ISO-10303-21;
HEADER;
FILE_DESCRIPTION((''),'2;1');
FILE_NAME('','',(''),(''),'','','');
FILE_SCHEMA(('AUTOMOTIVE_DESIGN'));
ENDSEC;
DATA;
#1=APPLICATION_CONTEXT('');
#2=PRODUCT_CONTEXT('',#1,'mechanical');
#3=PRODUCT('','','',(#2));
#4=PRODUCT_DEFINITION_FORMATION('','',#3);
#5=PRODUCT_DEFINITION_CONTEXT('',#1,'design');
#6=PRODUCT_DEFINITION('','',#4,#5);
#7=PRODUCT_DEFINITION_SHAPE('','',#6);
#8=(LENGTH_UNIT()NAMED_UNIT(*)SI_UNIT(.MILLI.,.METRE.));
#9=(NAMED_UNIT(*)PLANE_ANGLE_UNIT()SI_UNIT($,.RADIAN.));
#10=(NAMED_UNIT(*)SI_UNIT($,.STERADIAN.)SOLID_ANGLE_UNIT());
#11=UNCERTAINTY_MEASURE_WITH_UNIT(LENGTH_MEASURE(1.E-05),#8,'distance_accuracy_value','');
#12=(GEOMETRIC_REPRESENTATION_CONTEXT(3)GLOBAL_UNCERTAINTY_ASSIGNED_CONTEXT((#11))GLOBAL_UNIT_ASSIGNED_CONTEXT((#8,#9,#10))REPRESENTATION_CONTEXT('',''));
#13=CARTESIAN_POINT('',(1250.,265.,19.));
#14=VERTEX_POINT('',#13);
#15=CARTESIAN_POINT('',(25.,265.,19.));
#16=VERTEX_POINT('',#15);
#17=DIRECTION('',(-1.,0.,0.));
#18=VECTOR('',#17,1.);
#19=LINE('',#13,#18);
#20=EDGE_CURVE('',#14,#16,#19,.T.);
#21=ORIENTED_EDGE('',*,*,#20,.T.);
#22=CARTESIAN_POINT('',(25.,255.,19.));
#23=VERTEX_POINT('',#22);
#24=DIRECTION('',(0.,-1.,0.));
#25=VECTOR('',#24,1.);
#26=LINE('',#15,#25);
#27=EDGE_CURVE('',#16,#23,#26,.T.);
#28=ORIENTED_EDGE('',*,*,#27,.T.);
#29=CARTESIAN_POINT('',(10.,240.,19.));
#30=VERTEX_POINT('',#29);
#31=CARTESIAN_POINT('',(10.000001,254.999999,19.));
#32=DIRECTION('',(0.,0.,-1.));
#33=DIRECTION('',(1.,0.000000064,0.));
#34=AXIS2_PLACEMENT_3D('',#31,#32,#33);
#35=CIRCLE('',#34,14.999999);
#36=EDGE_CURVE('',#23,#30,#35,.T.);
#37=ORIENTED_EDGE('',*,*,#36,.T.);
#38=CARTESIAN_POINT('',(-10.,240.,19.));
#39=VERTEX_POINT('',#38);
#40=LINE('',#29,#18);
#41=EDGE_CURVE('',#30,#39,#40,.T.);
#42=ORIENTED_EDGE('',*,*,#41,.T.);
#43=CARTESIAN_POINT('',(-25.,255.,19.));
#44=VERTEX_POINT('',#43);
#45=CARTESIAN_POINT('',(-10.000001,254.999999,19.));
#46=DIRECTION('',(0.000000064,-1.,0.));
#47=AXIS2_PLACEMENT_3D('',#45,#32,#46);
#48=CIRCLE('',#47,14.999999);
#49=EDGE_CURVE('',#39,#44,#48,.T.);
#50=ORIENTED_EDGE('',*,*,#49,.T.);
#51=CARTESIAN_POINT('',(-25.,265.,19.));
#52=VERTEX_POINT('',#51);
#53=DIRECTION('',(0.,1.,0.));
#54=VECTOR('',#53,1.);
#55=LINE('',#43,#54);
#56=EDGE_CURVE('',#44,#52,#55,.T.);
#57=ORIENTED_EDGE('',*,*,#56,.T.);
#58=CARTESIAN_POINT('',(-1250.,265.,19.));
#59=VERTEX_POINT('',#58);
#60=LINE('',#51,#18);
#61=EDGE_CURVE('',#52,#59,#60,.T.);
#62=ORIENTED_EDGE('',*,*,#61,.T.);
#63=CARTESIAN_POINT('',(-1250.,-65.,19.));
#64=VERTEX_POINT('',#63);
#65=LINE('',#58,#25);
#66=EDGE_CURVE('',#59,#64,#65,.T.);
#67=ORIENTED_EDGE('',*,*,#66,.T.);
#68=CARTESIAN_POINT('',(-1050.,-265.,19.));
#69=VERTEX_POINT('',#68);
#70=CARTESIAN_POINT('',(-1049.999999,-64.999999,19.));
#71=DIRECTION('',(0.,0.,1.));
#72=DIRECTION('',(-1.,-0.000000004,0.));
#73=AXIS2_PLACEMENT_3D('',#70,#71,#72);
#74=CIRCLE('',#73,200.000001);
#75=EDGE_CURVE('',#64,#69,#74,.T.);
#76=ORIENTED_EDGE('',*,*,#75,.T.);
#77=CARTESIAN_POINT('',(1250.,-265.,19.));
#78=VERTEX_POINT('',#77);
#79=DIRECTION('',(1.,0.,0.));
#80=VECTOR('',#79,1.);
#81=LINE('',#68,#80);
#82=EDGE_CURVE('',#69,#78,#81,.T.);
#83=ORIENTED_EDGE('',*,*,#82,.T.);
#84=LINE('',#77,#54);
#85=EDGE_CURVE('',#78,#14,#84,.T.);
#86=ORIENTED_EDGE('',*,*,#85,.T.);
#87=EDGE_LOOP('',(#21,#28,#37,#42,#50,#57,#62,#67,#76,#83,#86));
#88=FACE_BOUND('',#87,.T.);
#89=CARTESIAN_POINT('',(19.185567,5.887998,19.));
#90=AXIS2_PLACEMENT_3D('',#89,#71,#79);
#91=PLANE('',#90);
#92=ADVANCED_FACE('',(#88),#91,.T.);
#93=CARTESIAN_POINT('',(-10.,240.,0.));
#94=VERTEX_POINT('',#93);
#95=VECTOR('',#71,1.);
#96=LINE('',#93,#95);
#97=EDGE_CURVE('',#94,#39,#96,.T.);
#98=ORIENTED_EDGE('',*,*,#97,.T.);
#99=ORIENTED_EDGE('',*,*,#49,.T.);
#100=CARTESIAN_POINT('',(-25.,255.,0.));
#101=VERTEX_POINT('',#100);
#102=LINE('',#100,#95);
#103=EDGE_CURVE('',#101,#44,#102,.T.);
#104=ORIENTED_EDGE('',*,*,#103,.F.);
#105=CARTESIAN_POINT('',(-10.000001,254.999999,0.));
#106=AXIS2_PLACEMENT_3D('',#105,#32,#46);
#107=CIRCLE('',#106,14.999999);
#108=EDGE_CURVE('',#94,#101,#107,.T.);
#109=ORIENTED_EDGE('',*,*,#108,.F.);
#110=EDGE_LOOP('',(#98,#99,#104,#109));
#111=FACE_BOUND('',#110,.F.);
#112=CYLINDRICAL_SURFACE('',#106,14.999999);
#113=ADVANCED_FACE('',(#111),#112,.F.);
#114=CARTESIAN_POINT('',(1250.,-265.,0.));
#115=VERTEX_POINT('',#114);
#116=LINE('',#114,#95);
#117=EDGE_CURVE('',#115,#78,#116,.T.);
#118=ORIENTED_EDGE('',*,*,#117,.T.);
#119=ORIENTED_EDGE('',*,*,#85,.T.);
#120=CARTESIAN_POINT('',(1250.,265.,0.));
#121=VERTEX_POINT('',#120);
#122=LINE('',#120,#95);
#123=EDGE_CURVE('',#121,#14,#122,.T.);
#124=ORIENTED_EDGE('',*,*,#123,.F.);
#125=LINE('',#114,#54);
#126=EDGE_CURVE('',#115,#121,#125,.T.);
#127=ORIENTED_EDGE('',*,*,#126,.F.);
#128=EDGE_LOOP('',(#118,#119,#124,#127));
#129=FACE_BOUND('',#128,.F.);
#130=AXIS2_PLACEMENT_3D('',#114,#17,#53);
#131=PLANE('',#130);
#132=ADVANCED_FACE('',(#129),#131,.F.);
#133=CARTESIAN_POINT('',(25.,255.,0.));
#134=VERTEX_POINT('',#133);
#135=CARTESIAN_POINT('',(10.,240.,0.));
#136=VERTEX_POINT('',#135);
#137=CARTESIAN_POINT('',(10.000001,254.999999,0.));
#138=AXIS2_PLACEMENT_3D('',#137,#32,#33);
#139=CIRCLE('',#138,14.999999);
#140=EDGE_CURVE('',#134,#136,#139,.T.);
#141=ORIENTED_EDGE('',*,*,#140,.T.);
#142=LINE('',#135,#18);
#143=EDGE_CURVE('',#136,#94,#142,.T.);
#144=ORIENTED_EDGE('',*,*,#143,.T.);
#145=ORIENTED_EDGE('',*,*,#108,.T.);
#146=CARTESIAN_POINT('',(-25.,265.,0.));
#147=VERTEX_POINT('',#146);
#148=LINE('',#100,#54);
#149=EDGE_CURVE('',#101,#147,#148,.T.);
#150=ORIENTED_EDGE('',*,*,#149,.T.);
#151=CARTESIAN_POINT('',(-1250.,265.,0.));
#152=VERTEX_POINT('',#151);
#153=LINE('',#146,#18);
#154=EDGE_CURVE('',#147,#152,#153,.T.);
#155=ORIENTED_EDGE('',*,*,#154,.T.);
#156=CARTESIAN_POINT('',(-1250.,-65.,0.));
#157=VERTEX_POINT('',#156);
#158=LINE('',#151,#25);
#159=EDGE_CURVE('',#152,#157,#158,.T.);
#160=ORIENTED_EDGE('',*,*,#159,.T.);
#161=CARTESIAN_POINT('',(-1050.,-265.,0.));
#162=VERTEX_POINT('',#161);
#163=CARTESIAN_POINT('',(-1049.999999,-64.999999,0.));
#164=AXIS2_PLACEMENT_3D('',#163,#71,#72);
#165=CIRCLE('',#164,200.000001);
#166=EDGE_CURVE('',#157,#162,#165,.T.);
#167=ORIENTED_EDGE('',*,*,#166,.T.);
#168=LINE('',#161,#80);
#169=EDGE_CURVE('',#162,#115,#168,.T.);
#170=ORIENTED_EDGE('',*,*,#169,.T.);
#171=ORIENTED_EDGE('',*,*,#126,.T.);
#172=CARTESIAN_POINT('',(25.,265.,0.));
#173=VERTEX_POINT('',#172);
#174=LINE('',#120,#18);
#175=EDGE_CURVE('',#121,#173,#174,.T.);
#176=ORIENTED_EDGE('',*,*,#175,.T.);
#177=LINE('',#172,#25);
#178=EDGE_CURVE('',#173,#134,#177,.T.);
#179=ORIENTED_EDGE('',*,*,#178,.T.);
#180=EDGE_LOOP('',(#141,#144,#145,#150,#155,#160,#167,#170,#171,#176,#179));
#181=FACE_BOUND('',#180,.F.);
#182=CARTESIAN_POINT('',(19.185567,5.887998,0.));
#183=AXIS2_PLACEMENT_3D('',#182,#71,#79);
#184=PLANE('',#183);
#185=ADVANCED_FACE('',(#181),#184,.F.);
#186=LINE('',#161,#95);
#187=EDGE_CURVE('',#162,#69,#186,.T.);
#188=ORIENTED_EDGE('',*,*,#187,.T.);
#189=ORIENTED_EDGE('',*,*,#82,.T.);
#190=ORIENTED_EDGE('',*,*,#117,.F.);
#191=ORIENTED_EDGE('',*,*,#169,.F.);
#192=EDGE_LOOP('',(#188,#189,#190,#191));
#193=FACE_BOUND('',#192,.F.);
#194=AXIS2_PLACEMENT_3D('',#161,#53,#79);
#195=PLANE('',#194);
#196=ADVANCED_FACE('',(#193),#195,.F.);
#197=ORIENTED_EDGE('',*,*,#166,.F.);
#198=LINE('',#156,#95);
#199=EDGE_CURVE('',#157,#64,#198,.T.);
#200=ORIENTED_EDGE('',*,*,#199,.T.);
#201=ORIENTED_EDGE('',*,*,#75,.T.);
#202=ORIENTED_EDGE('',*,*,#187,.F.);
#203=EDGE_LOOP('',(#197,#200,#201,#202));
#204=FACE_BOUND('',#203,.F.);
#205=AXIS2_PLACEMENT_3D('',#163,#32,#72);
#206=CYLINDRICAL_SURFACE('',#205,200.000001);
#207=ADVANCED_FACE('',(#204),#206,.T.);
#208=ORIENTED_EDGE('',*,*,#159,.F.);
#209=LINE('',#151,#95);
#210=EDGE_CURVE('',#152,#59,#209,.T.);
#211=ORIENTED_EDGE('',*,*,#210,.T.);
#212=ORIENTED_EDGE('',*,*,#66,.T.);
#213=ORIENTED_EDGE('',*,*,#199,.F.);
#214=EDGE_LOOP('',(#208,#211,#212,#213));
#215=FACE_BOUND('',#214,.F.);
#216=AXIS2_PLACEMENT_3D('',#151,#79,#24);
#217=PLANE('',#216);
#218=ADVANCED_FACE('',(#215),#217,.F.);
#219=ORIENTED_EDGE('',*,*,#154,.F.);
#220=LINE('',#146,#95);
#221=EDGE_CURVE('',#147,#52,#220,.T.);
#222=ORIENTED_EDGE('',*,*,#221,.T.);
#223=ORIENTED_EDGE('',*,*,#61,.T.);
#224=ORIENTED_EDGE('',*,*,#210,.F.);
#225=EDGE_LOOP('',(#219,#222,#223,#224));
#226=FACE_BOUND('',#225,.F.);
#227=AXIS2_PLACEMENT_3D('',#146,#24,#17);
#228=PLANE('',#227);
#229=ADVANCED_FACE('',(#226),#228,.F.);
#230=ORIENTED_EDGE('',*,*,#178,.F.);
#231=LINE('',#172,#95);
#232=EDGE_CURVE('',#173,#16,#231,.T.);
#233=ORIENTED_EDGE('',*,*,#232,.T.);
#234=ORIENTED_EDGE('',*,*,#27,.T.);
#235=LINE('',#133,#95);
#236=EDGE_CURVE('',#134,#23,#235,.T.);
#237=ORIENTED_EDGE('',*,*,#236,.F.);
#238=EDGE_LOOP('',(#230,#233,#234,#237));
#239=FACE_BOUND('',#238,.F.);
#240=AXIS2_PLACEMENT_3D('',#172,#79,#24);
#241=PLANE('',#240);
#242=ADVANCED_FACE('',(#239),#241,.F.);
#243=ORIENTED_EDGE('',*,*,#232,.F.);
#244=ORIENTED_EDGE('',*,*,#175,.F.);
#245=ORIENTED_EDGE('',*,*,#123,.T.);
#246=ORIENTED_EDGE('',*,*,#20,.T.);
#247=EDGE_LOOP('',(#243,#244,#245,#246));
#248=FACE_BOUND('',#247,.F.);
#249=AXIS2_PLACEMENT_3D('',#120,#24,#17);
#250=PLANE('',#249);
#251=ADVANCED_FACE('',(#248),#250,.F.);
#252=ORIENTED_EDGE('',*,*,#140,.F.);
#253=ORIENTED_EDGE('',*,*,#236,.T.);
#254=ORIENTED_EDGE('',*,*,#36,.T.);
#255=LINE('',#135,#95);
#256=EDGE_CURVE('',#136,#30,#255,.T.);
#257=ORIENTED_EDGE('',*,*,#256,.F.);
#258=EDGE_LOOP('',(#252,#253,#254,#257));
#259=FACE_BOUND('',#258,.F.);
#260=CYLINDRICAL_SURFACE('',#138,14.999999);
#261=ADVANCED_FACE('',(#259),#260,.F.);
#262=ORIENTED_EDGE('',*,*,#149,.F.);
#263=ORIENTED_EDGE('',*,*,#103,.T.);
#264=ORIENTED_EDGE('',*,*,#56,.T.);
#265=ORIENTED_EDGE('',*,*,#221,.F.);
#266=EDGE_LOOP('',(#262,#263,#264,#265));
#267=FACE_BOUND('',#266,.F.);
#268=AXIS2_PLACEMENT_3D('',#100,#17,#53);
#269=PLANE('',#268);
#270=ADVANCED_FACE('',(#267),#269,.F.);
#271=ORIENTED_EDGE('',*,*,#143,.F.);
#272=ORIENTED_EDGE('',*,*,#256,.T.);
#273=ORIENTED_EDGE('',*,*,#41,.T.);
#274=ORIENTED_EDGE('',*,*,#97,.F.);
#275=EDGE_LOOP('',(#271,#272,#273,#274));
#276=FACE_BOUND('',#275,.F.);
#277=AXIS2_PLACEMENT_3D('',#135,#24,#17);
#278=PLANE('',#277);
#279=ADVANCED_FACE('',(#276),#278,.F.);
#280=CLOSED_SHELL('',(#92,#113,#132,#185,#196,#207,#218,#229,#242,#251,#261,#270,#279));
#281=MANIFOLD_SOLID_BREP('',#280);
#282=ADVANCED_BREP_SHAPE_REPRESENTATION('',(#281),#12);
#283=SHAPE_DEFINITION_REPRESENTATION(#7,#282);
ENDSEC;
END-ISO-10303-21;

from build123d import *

# Parameters (mm, degrees)
F1_DEPTH = 19


with BuildPart() as f1:
    # F0 (on Top) → F1 (new body)
    with BuildSketch(Plane.XY):
        with BuildLine():
            Line((-25, 265), (-1250, 265))
            Line((-1250, 265), (-1250, -65))
            ThreePointArc((-1250, -65), (-1191.421356, -206.421356), (-1050, -265))
            Line((-1050, -265), (1250, -265))
            Line((1250, -265), (1250, 265))
            Line((1250, 265), (25, 265))
            Line((25, 265), (25, 255))
            ThreePointArc((25, 255), (20.606602, 244.393398), (10, 240))
            Line((10, 240), (-10, 240))
            ThreePointArc((-10, 240), (-20.606602, 244.393398), (-25, 255))
            Line((-25, 255), (-25, 265))
        make_face()
    extrude(amount=F1_DEPTH)


solid = f1.part
